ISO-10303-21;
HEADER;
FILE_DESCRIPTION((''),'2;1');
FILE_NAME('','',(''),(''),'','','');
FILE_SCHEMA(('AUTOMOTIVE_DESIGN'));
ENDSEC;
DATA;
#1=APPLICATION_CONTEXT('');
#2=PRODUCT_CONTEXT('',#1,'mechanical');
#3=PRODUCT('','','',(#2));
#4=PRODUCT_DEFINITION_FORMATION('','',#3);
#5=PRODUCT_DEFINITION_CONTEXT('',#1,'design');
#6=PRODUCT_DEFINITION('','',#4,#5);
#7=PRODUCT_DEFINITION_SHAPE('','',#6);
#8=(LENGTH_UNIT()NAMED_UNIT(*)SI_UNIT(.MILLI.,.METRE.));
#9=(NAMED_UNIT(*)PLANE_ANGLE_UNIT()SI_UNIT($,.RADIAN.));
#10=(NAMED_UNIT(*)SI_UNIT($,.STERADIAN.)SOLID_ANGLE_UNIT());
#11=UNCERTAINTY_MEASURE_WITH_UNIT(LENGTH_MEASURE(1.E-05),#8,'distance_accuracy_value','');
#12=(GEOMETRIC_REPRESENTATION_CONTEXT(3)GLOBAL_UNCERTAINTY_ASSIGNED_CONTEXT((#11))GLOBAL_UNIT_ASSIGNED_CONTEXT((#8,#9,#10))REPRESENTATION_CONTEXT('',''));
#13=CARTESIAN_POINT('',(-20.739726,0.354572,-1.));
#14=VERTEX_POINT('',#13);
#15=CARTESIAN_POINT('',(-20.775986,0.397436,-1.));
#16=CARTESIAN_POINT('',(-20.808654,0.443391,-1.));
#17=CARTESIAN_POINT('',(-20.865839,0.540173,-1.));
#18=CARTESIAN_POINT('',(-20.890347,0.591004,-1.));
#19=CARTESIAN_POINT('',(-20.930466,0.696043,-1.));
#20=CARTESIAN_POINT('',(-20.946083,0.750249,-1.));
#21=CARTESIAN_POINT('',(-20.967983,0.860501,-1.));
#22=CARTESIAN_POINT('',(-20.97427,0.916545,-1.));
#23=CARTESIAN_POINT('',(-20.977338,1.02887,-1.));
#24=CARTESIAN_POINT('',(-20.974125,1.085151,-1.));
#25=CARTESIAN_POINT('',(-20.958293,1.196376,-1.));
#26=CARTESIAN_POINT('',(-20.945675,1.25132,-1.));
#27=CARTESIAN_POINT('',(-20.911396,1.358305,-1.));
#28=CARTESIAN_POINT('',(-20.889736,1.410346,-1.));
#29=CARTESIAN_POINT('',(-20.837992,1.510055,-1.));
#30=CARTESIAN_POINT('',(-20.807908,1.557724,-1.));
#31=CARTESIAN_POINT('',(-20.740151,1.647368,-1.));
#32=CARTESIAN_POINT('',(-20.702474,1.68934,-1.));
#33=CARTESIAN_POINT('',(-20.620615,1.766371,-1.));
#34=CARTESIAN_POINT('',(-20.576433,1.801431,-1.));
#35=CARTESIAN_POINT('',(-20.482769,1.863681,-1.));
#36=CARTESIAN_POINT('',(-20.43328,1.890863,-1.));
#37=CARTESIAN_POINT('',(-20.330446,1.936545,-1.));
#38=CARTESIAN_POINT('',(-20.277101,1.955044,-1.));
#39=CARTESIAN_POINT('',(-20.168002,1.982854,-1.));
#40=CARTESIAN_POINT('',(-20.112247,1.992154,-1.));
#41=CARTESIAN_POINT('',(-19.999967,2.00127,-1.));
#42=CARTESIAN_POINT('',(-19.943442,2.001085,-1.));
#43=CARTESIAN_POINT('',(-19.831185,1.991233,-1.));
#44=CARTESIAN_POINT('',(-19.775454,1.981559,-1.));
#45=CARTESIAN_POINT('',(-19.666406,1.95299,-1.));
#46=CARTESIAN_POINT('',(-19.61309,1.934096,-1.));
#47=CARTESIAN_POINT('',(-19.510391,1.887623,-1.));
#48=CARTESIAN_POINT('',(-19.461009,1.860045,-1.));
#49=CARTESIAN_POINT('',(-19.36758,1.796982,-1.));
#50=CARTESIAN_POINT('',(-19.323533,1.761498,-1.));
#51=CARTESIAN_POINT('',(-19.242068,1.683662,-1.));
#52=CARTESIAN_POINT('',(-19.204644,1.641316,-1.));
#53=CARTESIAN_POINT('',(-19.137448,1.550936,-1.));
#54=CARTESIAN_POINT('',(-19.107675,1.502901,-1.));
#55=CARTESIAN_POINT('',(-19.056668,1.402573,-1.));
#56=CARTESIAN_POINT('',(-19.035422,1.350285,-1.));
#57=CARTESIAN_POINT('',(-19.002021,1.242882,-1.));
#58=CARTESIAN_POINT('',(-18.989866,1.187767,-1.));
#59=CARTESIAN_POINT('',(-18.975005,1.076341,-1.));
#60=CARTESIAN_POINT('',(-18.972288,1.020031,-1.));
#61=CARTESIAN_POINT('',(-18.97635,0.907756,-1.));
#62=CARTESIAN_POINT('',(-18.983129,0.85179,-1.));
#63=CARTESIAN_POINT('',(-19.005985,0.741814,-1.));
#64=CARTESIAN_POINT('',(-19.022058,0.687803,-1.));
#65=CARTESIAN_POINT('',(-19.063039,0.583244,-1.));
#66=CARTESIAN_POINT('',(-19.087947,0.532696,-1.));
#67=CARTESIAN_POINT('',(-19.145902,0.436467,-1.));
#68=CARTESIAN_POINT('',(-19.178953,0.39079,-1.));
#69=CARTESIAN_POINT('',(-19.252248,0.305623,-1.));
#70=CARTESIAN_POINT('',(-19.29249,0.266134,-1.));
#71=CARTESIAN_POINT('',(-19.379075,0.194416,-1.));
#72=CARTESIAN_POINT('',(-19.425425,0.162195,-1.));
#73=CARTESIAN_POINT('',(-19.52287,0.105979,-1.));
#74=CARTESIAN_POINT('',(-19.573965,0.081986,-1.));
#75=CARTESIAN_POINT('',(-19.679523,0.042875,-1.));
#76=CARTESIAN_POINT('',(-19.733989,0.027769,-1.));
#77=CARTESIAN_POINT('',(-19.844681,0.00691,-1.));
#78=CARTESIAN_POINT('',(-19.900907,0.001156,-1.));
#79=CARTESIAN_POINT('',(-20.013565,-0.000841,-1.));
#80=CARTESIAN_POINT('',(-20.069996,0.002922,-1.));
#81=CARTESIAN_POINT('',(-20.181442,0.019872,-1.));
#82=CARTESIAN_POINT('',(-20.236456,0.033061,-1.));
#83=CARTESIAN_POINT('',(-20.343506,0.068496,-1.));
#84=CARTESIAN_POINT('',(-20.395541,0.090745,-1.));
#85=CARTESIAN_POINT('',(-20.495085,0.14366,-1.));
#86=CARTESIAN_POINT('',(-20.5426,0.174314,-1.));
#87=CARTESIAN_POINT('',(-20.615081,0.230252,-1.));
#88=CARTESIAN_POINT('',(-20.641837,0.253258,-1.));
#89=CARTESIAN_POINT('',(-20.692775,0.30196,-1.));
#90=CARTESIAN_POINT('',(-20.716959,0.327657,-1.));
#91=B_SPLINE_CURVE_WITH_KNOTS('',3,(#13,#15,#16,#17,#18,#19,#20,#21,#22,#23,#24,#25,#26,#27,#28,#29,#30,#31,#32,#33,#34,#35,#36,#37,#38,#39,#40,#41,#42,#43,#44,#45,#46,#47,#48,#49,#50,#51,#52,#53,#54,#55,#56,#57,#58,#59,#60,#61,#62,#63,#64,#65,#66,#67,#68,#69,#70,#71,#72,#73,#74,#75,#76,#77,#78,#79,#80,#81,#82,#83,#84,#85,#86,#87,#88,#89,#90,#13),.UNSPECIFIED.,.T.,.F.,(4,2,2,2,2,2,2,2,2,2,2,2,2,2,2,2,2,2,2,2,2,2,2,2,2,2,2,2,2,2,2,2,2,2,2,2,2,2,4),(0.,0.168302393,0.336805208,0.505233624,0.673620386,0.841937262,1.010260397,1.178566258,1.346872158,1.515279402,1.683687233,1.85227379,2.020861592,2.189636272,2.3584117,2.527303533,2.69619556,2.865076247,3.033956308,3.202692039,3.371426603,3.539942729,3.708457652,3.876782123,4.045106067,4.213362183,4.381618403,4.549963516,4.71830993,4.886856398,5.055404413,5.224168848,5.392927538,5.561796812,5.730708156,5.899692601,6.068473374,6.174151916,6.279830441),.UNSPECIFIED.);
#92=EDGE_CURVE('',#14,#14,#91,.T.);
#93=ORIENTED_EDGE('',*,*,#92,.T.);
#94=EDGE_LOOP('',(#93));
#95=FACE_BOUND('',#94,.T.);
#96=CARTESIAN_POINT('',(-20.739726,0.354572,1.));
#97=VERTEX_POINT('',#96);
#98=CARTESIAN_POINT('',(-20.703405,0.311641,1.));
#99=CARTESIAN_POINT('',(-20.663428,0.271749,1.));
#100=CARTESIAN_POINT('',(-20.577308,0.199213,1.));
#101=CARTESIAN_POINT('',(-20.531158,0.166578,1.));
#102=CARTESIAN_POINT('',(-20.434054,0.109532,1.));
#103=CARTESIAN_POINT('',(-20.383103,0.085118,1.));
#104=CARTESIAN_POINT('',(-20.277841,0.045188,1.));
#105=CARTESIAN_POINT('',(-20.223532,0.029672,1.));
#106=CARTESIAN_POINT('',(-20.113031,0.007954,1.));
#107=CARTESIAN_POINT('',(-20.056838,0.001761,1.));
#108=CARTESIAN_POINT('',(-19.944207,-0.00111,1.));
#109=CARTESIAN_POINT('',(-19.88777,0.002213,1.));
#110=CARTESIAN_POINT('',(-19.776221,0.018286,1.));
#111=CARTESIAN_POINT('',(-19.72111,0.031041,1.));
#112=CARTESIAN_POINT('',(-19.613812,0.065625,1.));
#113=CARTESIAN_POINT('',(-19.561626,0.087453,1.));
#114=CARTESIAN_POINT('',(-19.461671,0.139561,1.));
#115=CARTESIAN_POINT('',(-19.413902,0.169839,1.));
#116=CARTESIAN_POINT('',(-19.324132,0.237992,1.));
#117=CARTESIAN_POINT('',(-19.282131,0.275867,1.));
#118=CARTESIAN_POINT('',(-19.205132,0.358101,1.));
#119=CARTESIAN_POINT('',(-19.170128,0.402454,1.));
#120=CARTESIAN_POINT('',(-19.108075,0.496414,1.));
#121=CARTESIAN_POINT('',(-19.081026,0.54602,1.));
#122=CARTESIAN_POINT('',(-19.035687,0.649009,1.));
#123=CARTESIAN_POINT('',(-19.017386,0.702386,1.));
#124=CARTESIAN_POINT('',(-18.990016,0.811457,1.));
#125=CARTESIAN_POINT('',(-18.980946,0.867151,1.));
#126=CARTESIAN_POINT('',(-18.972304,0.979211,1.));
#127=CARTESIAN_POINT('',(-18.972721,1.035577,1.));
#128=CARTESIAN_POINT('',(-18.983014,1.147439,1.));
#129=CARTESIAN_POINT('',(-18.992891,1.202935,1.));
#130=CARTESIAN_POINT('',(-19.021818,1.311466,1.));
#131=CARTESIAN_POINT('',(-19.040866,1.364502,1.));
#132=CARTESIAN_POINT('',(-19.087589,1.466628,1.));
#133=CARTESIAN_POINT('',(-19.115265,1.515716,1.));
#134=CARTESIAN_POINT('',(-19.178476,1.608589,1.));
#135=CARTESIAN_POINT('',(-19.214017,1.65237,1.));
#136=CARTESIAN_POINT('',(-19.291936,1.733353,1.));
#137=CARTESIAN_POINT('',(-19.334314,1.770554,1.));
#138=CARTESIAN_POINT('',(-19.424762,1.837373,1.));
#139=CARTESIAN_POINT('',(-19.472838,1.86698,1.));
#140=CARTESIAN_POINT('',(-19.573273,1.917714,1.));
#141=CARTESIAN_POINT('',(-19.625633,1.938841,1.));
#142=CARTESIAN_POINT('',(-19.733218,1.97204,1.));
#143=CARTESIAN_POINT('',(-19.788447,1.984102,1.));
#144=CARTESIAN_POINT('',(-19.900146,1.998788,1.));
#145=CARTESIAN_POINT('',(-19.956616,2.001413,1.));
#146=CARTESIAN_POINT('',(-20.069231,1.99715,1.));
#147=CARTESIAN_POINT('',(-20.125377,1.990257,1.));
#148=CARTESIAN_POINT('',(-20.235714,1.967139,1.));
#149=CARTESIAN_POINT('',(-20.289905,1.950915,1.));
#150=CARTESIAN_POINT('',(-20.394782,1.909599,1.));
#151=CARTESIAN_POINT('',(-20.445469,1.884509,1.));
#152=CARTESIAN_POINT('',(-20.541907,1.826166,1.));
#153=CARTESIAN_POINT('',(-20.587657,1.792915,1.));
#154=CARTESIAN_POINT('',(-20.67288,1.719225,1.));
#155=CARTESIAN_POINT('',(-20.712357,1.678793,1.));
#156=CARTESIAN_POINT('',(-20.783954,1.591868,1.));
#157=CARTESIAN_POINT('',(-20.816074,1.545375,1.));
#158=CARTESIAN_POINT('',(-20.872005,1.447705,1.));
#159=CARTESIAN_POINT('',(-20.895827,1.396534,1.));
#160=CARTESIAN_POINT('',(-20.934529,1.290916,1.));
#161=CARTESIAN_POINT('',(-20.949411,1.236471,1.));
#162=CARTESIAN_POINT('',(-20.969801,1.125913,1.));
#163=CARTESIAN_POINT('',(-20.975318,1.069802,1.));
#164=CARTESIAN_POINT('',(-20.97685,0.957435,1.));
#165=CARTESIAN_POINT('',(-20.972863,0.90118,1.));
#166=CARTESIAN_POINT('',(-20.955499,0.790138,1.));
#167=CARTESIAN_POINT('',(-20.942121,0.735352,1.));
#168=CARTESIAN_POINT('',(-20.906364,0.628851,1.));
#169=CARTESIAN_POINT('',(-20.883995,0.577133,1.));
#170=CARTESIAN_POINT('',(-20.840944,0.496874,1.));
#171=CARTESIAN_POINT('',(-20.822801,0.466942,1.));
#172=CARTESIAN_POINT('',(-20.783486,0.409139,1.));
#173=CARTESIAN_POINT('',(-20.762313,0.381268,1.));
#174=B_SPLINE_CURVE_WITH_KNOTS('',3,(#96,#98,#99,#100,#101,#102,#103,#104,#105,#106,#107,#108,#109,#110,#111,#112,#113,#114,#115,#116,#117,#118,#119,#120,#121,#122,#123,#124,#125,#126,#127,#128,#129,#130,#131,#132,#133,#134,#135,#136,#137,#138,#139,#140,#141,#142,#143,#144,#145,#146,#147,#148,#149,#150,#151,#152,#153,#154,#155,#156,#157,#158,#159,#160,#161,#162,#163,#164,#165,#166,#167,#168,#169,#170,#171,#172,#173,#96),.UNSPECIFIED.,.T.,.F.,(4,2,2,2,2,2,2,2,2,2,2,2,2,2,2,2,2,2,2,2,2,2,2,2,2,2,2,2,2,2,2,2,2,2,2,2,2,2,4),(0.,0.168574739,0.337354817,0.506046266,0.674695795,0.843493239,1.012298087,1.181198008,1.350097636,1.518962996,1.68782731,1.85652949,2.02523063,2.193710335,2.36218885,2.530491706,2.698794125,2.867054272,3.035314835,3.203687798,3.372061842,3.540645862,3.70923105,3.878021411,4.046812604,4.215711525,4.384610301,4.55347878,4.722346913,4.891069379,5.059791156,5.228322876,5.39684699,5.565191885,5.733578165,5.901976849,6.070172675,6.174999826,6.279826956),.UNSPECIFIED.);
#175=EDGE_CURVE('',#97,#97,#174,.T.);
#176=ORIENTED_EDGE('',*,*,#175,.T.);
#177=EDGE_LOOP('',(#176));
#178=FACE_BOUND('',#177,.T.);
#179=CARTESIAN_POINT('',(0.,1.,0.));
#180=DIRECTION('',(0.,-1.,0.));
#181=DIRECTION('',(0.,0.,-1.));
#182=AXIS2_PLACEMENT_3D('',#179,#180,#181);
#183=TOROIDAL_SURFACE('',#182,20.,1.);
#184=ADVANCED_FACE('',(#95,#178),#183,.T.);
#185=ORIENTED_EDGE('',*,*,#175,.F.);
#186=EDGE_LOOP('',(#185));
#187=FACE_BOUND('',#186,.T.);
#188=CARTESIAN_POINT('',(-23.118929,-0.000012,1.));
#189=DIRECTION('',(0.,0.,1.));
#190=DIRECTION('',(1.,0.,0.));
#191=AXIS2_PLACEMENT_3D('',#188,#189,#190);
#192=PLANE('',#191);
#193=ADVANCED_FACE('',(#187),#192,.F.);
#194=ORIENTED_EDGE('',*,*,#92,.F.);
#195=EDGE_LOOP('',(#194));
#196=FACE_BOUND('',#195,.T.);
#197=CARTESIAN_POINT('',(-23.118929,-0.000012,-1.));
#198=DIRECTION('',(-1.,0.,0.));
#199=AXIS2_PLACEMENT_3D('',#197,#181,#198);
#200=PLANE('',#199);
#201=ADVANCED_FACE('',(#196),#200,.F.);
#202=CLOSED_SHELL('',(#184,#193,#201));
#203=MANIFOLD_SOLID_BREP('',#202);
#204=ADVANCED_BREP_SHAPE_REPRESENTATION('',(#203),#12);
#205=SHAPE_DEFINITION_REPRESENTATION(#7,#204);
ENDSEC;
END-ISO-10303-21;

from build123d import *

# Parameters (mm, degrees)
SKETCH_1_R               = 1
CUT_EXTRUDE_1_DEPTH      = 30.76575228
CUT_EXTRUDE_1_DEPTH_BACK = 30.76575228
SKETCH_2_W               = 15.951680001
SKETCH_2_H               = 2


with BuildPart() as part:
    # Эскиз1 → Повернуть1 (revolve)
    with BuildSketch(Plane.XY, mode=Mode.PRIVATE) as revolve_1_sk:
        with Locations((-20, 1)):
            Circle(SKETCH_1_R)
    revolve(revolve_1_sk.sketch.rotate(Axis((0, 0, 0), (0, 1, 0)), 270), axis=Axis((0, 0, 0), (0, 1, 0)))

    # Эскиз2 → Вырез-Вытянуть1 (cut, two sides: drawn at the far end of the back side and taken through both)
    with BuildSketch(Plane(origin=(0, 0, 0), x_dir=(1, 0, 0), z_dir=(0, 1, 0)).offset(-CUT_EXTRUDE_1_DEPTH_BACK)):
        with Locations((-15.143088505, 0)):
            Rectangle(SKETCH_2_W, SKETCH_2_H)
    extrude(amount=CUT_EXTRUDE_1_DEPTH + CUT_EXTRUDE_1_DEPTH_BACK, mode=Mode.SUBTRACT)


solid = part.part
